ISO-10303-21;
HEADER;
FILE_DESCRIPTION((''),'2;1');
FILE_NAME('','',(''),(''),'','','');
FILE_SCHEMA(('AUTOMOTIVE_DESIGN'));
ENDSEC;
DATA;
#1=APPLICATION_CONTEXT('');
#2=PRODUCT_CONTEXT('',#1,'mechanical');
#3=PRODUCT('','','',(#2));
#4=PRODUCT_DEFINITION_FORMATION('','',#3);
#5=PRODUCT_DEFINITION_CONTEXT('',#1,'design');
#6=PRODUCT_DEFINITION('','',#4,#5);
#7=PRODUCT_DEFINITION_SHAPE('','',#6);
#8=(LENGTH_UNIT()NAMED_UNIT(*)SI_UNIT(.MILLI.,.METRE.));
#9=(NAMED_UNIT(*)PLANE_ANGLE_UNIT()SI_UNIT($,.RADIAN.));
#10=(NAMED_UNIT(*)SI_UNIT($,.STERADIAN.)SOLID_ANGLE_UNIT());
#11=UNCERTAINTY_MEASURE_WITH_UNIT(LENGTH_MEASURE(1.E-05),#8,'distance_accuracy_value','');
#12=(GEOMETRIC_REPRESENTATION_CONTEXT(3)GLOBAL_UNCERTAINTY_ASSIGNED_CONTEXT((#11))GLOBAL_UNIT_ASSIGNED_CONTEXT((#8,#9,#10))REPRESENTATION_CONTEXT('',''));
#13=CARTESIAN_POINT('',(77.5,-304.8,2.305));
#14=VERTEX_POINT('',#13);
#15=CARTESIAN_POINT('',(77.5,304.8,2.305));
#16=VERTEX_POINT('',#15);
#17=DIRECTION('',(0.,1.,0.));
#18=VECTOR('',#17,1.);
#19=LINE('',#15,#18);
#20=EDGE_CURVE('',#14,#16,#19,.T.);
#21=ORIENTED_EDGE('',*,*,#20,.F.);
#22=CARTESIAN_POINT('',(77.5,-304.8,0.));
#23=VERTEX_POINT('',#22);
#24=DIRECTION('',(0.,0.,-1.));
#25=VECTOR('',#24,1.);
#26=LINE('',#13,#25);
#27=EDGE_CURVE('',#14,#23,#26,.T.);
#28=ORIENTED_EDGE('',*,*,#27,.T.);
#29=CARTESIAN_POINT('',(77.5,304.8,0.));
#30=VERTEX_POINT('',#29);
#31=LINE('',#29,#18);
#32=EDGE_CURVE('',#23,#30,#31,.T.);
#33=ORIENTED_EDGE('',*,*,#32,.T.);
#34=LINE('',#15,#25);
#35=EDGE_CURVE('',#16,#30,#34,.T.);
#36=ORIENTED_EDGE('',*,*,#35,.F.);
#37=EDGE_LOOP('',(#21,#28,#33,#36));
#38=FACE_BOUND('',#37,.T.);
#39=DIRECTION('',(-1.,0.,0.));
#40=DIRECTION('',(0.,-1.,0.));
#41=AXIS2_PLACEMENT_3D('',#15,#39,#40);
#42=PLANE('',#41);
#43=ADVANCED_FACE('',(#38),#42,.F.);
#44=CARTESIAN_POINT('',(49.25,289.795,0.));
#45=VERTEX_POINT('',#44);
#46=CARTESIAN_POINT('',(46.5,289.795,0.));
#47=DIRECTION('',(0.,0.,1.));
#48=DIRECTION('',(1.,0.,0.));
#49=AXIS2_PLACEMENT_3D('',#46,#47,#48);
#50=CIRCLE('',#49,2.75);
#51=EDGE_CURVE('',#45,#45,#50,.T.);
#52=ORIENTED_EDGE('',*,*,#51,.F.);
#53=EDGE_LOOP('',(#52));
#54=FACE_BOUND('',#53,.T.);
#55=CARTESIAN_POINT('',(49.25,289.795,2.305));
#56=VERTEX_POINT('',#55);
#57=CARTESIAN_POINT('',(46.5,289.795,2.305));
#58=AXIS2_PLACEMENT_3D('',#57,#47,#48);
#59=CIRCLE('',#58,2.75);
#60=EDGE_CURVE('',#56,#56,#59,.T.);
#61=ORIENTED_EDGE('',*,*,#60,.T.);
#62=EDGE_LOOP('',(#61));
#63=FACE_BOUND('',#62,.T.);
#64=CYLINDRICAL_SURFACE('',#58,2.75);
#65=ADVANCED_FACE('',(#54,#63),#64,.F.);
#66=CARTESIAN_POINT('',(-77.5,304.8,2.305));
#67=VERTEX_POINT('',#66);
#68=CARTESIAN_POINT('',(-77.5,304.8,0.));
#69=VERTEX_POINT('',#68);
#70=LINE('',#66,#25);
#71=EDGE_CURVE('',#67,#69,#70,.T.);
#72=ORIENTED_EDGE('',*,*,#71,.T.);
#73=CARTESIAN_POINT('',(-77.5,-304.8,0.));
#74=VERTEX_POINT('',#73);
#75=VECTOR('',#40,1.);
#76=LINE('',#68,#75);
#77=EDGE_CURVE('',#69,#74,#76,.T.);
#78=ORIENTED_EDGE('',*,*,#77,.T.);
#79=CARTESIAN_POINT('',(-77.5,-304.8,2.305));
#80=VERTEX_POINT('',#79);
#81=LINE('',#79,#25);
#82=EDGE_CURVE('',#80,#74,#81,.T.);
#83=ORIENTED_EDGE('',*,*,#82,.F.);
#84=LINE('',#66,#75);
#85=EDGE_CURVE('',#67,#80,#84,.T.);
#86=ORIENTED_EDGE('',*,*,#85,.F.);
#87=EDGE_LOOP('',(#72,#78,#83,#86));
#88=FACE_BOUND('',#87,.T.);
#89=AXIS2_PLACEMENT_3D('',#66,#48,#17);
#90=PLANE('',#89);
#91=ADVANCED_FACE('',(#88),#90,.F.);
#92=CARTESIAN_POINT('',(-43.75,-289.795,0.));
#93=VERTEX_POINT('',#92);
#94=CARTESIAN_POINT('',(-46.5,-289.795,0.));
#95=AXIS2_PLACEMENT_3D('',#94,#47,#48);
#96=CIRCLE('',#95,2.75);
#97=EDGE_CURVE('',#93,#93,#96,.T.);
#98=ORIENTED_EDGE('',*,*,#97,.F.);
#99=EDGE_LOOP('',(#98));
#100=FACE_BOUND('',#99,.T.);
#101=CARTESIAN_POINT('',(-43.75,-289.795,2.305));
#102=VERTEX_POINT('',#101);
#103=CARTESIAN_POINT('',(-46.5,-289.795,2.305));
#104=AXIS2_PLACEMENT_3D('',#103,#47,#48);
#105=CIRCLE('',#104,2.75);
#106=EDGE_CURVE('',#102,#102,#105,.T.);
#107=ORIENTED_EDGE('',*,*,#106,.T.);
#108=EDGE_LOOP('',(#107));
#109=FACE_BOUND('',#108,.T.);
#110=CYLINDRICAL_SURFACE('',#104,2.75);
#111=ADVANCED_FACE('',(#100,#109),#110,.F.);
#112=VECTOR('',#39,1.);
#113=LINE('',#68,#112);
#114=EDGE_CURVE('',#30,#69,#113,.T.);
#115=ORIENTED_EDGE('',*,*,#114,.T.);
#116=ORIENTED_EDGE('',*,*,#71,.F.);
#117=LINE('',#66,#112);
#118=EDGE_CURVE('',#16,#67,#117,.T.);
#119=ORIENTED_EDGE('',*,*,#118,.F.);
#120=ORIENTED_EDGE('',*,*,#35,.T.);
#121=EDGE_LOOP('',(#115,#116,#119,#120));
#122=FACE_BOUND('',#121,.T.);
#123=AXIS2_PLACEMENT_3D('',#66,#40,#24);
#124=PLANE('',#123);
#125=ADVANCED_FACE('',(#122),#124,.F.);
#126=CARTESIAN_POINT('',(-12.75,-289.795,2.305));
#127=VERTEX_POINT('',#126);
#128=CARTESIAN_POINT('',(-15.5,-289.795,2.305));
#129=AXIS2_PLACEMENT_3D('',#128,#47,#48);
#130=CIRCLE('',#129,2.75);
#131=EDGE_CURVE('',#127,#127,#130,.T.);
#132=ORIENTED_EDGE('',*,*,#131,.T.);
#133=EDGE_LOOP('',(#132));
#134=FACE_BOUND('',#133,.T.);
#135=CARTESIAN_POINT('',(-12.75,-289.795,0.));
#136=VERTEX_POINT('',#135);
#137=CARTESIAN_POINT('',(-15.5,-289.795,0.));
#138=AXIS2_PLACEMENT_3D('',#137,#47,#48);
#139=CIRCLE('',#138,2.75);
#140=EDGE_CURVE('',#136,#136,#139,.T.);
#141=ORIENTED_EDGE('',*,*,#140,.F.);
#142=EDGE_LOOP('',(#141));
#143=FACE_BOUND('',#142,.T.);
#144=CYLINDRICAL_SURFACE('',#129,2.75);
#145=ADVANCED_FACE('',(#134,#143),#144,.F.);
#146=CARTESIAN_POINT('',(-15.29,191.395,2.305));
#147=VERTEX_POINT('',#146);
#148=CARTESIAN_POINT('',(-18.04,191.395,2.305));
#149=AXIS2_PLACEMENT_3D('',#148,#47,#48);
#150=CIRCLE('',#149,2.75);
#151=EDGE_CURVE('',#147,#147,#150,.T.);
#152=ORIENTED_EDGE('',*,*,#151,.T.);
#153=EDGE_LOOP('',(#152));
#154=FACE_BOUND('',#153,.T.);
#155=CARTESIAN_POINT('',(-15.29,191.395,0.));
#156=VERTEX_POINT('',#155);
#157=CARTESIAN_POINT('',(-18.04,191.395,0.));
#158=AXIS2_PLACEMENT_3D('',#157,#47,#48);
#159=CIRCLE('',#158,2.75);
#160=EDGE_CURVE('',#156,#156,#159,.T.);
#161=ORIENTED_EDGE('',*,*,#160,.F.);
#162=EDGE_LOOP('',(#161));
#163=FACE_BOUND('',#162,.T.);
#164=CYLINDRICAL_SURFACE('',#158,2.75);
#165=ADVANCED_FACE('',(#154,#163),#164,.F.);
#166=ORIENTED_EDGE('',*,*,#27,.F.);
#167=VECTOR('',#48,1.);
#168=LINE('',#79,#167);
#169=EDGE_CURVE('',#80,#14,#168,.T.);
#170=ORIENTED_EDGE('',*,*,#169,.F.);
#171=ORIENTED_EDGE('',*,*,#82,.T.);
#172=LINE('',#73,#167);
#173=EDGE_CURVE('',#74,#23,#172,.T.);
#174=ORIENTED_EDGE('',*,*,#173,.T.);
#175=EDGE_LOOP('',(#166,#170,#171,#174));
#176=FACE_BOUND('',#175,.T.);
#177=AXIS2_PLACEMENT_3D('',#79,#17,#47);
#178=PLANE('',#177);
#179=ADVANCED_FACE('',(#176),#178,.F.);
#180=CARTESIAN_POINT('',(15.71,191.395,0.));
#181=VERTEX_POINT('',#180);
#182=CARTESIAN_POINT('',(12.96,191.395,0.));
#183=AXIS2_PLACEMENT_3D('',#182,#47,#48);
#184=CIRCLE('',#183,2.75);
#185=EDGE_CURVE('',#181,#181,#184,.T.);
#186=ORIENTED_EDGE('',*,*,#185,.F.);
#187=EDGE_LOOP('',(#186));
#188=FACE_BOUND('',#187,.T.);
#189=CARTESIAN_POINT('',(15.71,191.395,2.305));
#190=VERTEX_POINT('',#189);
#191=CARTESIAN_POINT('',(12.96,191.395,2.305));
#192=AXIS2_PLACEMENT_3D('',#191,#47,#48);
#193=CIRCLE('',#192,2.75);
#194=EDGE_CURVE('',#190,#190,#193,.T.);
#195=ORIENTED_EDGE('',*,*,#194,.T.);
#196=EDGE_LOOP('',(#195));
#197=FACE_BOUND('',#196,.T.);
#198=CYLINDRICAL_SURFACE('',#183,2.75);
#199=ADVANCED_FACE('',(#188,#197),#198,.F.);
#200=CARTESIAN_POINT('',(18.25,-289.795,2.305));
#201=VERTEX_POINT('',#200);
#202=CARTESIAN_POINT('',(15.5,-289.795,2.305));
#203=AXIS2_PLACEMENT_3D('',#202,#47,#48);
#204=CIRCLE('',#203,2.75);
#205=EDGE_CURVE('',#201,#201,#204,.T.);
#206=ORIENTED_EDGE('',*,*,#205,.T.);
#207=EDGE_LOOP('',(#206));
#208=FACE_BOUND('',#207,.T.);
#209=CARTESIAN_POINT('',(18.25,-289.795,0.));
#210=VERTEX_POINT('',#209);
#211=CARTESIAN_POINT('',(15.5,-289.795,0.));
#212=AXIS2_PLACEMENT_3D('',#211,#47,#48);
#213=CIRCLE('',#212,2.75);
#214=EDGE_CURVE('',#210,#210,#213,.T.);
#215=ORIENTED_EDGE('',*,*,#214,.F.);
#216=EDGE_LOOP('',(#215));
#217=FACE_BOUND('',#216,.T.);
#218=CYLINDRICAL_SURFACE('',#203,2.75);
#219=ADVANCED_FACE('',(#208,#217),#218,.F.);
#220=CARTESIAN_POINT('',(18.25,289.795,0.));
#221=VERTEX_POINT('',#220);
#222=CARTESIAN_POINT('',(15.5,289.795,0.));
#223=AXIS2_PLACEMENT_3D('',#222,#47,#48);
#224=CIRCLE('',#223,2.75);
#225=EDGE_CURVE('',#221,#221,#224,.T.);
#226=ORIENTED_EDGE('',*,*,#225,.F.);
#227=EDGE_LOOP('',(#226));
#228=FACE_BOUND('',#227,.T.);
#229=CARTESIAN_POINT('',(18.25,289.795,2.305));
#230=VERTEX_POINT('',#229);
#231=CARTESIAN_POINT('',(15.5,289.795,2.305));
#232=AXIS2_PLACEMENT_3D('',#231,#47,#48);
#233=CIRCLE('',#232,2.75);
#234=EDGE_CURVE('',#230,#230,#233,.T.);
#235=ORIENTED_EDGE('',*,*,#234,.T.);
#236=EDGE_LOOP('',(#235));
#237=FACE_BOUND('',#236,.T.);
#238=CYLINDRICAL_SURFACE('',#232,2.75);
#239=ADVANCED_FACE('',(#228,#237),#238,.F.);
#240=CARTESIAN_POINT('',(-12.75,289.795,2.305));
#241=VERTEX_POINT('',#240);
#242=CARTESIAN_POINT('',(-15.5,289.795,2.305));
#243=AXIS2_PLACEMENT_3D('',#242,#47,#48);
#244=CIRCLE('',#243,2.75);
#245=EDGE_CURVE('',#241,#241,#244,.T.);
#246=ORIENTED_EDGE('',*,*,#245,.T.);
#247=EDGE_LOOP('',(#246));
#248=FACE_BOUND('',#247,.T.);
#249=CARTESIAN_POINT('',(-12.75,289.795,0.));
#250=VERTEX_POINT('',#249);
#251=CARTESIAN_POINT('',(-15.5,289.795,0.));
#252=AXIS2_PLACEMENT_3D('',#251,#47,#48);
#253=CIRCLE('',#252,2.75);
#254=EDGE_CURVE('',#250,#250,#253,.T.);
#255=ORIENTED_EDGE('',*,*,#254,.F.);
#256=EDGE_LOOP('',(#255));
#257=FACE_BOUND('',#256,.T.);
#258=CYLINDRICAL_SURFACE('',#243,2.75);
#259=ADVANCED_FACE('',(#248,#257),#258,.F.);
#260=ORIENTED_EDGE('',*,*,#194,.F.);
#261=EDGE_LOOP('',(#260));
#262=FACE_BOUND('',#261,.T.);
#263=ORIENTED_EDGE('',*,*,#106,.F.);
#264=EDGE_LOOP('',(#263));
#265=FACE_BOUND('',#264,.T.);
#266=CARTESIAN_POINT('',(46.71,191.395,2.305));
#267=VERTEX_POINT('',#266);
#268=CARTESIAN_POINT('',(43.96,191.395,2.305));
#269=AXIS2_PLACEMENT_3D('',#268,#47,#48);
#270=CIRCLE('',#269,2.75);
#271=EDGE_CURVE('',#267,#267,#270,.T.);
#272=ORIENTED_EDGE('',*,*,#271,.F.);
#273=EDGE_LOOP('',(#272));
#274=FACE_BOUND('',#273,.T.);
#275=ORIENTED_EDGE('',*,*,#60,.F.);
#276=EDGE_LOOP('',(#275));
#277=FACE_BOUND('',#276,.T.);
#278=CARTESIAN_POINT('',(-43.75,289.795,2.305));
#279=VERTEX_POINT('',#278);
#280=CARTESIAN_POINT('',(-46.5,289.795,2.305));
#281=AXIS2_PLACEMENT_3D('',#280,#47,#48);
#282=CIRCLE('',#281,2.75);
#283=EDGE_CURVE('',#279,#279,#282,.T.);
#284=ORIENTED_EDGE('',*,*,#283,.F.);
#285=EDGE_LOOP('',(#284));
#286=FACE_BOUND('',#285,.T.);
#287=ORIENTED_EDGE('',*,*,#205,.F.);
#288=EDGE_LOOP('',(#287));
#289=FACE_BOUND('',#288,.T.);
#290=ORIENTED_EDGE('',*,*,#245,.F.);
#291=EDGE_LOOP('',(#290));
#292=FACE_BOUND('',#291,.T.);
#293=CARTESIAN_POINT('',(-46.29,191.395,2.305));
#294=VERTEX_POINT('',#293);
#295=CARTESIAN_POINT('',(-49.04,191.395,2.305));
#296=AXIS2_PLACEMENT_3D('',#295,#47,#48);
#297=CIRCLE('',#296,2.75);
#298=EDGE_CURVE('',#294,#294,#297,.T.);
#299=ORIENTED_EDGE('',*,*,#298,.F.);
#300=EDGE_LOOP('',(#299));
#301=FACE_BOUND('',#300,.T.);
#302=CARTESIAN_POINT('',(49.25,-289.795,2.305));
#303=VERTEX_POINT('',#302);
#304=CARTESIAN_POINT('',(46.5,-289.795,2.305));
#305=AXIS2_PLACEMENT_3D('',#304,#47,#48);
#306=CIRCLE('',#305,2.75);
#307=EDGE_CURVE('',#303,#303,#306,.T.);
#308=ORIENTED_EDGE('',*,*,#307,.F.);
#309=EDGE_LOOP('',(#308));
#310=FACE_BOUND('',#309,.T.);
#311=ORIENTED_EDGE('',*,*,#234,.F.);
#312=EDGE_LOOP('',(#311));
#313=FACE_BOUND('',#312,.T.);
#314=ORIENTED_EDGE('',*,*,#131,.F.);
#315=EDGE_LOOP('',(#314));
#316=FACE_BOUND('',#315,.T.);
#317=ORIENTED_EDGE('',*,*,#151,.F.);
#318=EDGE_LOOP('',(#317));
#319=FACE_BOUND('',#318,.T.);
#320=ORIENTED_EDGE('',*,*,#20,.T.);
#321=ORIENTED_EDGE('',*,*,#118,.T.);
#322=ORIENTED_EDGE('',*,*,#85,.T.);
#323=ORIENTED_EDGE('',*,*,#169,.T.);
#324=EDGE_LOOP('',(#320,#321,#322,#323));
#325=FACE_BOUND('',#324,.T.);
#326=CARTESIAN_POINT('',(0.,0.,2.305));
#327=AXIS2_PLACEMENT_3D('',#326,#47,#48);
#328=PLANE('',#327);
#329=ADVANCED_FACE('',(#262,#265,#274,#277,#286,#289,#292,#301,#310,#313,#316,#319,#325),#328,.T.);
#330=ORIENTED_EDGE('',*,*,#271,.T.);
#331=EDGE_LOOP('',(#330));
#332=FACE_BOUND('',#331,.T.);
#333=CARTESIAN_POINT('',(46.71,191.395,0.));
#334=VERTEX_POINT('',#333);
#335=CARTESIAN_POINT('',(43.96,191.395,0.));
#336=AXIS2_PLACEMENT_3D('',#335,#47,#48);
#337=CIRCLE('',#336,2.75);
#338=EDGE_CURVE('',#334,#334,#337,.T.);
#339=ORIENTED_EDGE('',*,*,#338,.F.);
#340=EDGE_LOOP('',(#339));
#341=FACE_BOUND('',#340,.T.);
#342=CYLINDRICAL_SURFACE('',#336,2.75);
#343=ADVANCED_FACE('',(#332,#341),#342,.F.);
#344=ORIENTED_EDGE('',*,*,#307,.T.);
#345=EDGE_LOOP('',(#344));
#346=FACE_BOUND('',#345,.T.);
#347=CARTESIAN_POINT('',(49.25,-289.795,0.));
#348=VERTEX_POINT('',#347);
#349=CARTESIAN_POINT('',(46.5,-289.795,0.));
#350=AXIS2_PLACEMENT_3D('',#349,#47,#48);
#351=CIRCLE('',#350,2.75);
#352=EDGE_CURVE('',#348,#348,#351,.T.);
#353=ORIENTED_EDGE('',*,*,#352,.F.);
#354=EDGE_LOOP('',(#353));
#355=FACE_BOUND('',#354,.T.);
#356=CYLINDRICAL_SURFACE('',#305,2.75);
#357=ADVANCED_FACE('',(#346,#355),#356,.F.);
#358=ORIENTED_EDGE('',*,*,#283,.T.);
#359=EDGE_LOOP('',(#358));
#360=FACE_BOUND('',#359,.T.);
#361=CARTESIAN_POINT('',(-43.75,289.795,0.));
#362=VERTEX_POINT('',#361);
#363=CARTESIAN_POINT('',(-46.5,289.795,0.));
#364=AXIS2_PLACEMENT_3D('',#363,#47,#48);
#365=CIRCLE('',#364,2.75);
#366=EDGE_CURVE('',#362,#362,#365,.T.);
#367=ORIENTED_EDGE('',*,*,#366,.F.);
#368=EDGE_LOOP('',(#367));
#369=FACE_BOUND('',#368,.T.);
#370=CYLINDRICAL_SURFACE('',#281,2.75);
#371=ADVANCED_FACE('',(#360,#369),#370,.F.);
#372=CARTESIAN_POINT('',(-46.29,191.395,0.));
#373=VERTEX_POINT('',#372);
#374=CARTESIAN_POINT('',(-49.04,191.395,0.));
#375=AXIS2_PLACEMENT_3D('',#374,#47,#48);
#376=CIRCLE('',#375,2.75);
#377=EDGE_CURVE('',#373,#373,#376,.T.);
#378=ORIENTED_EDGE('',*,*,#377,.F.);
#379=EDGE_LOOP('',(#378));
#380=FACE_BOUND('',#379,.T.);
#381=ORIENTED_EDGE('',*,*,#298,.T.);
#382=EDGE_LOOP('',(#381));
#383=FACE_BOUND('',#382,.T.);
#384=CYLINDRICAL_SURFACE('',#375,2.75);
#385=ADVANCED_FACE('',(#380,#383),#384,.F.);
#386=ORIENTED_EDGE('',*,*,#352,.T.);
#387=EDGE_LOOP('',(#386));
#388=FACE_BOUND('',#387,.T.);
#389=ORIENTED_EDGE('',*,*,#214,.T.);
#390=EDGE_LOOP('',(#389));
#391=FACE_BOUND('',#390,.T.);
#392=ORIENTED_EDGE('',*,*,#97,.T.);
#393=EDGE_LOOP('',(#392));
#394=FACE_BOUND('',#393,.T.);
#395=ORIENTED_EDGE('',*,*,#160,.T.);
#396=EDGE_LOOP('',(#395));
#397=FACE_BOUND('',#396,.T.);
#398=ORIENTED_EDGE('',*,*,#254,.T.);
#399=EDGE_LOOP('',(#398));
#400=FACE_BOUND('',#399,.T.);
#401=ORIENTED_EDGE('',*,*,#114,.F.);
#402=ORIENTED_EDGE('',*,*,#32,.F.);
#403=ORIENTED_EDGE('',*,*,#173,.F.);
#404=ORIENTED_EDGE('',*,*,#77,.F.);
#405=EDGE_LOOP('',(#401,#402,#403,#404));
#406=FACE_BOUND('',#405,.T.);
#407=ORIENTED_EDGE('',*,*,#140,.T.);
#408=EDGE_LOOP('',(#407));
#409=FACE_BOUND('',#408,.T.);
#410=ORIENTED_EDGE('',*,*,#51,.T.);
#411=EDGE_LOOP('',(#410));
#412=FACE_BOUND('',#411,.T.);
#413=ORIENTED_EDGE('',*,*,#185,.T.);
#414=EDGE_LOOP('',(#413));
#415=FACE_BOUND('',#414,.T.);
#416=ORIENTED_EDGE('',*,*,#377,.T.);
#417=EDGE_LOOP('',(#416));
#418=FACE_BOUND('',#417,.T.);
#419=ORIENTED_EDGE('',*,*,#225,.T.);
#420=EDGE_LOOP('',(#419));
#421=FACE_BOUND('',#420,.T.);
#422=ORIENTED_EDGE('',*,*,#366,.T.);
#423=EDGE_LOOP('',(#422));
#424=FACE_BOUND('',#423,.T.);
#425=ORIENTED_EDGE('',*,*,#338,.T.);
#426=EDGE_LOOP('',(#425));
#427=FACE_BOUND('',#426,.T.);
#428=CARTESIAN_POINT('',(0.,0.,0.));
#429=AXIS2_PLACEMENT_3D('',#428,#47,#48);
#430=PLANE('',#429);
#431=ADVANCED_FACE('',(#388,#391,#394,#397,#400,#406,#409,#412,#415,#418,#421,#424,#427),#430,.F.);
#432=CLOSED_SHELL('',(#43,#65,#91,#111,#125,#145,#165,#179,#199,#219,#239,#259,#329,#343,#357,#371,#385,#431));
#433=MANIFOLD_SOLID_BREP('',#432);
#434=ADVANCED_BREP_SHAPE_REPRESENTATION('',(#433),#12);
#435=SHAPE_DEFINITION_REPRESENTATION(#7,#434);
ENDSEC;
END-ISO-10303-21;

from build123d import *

# Parameters (mm, degrees)
SKETCH1_W            = 155
SKETCH1_H            = 609.6
BOSS_EXTRUDE1_DEPTH  = 2.305
M5_CLEARANCE_HOLE1_D = 5.5
SKETCH4_R            = 2.75
CUT_EXTRUDE1_DEPTH   = 3.305
LPATTERN2_COUNT      = 4
LPATTERN2_PITCH      = 31


with BuildPart() as part:
    # Sketch1 → Boss-Extrude1 (new body)
    with BuildSketch(Plane.XY):
        Rectangle(SKETCH1_W, SKETCH1_H)
    extrude(amount=BOSS_EXTRUDE1_DEPTH)

    # M5 Clearance Hole1 (through all)
    with Locations(Plane.XY.offset(2.305)):
        with Locations((-46.5, 289.795), (-15.5, 289.795), (15.5, 289.795), (46.5, 289.795), (-46.5, -289.795), (-15.5, -289.795), (15.5, -289.795), (46.5, -289.795)):
            Hole(M5_CLEARANCE_HOLE1_D / 2)

    # Sketch4 → Cut-Extrude1 (cut, through all)
    with BuildSketch(Plane.XY.offset(2.305)):
        with Locations((-49.04, 191.395)):
            Circle(SKETCH4_R)
    cut_extrude1 = extrude(amount=-CUT_EXTRUDE1_DEPTH, mode=Mode.SUBTRACT)

    # LPattern2: Cut-Extrude1 ×4
    with Locations(*[(i * LPATTERN2_PITCH, 0, 0) for i in range(1, LPATTERN2_COUNT)]):
        add(cut_extrude1, mode=Mode.SUBTRACT)


solid = part.part
